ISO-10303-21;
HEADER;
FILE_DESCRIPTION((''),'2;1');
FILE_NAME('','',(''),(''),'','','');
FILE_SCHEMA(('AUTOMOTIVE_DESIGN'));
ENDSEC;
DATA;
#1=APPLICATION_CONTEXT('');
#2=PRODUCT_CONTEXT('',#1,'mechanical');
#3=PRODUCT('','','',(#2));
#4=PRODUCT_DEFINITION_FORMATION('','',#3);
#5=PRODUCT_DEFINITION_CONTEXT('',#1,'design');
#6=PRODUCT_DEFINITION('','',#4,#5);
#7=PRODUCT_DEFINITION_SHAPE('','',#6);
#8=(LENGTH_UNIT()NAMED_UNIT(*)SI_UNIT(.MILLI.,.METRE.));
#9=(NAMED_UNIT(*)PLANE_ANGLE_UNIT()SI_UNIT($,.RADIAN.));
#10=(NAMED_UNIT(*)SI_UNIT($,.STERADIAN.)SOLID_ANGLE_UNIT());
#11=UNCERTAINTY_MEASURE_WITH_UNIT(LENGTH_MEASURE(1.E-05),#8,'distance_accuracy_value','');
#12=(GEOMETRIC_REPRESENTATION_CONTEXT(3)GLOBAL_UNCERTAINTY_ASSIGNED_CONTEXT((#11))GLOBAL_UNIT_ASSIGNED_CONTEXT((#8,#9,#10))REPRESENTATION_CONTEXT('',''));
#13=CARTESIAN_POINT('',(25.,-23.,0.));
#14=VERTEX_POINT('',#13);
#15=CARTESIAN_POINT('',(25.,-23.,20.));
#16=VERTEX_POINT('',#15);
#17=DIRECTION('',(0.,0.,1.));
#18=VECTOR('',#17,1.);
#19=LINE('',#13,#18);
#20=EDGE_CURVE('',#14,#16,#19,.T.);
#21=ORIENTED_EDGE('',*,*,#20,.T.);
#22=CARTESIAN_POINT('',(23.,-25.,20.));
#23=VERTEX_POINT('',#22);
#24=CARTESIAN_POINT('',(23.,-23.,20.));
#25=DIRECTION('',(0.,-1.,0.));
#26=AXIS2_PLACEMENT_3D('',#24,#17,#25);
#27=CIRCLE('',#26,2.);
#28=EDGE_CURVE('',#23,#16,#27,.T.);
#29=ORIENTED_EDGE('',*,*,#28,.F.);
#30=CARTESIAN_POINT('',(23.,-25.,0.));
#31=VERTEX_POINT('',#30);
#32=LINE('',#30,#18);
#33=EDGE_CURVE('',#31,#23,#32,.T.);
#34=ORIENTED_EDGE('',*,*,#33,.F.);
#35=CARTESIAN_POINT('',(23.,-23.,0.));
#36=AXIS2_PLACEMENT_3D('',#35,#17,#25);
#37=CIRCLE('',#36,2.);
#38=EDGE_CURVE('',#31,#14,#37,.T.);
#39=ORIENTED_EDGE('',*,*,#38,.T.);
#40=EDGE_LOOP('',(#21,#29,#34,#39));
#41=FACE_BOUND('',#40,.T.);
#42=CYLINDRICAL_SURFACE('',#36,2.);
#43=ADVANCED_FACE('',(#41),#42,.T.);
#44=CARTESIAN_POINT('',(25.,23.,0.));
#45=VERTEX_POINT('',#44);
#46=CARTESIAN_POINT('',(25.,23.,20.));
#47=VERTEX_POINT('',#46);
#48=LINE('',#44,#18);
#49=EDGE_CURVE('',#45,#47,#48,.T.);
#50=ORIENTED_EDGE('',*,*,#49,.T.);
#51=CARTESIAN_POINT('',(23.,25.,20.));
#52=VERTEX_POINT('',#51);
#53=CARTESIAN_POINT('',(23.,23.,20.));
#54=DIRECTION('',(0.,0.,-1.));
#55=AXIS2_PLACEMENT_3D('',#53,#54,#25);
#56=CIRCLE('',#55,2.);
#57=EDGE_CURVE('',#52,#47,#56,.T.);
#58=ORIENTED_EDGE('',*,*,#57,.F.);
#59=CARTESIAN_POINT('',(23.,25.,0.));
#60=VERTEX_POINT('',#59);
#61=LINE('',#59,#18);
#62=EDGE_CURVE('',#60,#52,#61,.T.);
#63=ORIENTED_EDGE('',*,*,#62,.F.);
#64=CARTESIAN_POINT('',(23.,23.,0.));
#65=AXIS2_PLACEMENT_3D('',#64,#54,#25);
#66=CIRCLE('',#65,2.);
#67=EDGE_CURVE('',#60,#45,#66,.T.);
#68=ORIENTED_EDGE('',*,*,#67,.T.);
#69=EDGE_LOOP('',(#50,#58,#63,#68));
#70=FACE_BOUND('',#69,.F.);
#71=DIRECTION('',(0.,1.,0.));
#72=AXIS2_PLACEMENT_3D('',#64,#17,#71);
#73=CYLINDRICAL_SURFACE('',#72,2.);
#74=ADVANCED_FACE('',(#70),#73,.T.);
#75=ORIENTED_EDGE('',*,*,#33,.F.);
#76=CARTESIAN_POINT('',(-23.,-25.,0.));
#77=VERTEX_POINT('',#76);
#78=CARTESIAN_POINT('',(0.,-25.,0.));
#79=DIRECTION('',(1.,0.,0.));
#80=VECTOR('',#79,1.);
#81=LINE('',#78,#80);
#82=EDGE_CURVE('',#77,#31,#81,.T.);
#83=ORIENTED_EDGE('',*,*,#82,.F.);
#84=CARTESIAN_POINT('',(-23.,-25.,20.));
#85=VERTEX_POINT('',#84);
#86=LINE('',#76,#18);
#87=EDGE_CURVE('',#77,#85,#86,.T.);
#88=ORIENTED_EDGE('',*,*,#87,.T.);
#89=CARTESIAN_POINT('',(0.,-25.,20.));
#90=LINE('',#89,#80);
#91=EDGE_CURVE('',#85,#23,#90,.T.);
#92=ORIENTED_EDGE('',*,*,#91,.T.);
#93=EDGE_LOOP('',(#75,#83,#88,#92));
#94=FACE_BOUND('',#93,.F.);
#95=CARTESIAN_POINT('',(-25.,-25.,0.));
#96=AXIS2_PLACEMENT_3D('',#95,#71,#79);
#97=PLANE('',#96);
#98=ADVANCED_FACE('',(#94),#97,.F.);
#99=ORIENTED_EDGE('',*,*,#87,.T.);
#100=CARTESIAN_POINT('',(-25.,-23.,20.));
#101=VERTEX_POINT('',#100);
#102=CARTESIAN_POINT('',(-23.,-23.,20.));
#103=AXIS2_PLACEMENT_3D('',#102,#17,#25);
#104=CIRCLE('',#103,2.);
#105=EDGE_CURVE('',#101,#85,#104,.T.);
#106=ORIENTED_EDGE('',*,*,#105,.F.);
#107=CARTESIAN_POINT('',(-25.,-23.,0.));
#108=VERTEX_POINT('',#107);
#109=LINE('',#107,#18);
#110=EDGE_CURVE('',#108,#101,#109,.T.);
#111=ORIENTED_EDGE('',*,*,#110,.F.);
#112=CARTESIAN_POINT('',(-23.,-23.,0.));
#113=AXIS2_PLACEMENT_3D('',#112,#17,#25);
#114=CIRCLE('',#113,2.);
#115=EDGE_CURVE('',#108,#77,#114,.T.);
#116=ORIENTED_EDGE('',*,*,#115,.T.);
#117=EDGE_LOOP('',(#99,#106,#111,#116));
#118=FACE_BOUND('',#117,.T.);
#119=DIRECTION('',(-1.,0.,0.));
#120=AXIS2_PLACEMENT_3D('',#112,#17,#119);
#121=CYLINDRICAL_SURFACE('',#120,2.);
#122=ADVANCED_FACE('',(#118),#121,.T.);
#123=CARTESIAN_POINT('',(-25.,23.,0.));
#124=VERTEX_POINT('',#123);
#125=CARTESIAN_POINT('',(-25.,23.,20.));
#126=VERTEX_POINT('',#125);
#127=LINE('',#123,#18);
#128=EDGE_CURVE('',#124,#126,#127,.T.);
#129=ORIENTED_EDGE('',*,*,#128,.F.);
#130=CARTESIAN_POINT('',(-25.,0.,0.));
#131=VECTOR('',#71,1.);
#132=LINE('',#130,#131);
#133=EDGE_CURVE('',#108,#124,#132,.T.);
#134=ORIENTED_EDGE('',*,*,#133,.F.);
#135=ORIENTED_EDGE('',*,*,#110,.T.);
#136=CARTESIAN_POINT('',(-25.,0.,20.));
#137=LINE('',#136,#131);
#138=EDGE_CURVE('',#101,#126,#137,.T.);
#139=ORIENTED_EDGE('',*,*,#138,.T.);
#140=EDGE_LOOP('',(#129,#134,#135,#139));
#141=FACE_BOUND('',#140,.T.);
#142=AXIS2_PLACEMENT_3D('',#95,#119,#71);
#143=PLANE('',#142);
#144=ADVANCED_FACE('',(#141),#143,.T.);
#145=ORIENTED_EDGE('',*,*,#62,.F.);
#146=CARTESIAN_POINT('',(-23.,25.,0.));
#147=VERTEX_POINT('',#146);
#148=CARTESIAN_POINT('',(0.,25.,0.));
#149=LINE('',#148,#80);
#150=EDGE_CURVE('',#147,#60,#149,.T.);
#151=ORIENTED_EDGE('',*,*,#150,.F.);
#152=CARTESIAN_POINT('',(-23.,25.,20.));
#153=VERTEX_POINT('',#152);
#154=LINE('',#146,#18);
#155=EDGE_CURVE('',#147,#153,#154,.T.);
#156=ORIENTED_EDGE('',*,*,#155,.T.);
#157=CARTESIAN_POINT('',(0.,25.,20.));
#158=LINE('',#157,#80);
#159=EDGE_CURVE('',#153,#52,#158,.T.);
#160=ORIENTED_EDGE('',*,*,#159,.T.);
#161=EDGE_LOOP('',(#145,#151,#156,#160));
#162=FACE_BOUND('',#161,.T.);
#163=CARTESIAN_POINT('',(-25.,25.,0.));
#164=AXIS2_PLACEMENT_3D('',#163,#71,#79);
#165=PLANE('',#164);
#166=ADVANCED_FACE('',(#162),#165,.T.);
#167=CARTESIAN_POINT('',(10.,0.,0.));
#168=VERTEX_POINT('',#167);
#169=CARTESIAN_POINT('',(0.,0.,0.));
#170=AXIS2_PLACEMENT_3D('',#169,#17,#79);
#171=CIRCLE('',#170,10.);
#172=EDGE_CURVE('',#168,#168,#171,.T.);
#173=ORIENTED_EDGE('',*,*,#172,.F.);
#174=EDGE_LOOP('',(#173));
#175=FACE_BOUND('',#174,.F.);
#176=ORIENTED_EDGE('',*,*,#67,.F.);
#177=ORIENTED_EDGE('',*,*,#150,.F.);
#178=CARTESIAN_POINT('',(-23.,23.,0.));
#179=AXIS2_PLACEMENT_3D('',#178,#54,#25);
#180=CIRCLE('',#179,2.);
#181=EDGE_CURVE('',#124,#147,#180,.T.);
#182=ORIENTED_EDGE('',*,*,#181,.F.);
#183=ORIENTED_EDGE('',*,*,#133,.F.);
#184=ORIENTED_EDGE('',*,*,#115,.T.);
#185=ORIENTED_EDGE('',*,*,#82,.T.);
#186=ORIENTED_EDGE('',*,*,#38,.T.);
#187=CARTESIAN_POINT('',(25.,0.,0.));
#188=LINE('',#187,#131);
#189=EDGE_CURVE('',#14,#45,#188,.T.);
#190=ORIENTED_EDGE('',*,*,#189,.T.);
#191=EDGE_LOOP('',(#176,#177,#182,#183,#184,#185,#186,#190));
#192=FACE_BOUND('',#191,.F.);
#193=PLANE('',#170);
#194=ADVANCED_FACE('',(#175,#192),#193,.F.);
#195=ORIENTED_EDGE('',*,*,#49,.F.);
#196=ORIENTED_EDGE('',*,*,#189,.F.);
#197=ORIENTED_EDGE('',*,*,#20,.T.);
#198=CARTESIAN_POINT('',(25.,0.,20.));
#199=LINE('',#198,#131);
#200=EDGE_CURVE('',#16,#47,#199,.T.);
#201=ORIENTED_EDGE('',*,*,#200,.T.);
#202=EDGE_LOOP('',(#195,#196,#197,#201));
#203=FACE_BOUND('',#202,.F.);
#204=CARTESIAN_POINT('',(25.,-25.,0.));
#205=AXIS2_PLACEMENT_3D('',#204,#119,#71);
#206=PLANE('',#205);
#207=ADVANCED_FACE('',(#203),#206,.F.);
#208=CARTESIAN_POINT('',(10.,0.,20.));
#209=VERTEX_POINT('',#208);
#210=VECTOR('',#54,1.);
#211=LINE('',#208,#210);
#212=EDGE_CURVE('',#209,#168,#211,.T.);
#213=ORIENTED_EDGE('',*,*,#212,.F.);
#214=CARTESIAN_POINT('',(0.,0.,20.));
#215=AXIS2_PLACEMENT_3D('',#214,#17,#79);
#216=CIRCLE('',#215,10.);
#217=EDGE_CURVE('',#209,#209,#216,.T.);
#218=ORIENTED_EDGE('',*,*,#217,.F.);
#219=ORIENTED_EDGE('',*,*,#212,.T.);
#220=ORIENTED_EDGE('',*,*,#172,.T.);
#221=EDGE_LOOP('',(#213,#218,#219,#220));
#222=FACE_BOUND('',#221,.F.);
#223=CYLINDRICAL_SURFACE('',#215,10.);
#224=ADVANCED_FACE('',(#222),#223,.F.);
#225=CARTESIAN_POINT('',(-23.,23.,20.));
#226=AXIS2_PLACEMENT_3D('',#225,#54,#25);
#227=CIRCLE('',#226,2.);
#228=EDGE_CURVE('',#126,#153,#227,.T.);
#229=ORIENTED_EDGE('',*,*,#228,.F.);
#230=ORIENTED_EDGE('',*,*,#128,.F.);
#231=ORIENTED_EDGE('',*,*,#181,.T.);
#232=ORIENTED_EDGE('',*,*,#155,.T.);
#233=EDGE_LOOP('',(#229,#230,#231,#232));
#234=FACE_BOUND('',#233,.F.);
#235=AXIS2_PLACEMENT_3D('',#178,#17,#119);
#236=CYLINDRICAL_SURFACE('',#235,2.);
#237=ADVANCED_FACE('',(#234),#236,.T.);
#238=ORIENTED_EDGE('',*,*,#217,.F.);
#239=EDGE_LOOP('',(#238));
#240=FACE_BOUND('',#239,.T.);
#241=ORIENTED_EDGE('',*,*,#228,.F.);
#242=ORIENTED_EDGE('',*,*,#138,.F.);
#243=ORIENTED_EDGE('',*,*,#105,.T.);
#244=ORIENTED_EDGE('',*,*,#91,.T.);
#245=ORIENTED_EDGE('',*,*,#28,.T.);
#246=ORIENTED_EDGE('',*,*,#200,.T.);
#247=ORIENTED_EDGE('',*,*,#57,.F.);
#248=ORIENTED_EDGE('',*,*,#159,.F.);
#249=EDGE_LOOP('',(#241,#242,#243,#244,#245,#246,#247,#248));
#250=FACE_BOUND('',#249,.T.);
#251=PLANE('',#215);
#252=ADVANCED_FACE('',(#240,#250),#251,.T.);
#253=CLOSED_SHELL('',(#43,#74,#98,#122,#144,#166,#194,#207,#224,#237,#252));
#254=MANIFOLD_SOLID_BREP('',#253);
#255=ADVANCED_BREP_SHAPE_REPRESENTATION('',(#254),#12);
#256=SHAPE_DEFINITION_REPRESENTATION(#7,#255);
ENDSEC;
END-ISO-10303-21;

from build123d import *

# Parameters (mm, degrees)
F0_W     = 50
F0_H     = 50
F1_DEPTH = 20
F2_R     = 10
F3_DEPTH = 20.001
F4_R     = 2


with BuildPart() as f1:
    # F0 (on Top) → F1 (new body)
    with BuildSketch(Plane.XY):
        Rectangle(F0_W, F0_H)
    extrude(amount=F1_DEPTH)

    # F2 (on face) → F3 (cut, through all)
    with BuildSketch(Plane.XY.offset(20)):
        Circle(F2_R)
    extrude(amount=-F3_DEPTH, mode=Mode.SUBTRACT)

    # F4
    f4_edges = [f1.edges().sort_by_distance(p)[0] for p in [
        (-25, -25, 10),
        (25, -25, 10),
        (-25, 25, 10),
        (25, 25, 10),
    ]]
    fillet(f4_edges, radius=F4_R)


solid = f1.part
